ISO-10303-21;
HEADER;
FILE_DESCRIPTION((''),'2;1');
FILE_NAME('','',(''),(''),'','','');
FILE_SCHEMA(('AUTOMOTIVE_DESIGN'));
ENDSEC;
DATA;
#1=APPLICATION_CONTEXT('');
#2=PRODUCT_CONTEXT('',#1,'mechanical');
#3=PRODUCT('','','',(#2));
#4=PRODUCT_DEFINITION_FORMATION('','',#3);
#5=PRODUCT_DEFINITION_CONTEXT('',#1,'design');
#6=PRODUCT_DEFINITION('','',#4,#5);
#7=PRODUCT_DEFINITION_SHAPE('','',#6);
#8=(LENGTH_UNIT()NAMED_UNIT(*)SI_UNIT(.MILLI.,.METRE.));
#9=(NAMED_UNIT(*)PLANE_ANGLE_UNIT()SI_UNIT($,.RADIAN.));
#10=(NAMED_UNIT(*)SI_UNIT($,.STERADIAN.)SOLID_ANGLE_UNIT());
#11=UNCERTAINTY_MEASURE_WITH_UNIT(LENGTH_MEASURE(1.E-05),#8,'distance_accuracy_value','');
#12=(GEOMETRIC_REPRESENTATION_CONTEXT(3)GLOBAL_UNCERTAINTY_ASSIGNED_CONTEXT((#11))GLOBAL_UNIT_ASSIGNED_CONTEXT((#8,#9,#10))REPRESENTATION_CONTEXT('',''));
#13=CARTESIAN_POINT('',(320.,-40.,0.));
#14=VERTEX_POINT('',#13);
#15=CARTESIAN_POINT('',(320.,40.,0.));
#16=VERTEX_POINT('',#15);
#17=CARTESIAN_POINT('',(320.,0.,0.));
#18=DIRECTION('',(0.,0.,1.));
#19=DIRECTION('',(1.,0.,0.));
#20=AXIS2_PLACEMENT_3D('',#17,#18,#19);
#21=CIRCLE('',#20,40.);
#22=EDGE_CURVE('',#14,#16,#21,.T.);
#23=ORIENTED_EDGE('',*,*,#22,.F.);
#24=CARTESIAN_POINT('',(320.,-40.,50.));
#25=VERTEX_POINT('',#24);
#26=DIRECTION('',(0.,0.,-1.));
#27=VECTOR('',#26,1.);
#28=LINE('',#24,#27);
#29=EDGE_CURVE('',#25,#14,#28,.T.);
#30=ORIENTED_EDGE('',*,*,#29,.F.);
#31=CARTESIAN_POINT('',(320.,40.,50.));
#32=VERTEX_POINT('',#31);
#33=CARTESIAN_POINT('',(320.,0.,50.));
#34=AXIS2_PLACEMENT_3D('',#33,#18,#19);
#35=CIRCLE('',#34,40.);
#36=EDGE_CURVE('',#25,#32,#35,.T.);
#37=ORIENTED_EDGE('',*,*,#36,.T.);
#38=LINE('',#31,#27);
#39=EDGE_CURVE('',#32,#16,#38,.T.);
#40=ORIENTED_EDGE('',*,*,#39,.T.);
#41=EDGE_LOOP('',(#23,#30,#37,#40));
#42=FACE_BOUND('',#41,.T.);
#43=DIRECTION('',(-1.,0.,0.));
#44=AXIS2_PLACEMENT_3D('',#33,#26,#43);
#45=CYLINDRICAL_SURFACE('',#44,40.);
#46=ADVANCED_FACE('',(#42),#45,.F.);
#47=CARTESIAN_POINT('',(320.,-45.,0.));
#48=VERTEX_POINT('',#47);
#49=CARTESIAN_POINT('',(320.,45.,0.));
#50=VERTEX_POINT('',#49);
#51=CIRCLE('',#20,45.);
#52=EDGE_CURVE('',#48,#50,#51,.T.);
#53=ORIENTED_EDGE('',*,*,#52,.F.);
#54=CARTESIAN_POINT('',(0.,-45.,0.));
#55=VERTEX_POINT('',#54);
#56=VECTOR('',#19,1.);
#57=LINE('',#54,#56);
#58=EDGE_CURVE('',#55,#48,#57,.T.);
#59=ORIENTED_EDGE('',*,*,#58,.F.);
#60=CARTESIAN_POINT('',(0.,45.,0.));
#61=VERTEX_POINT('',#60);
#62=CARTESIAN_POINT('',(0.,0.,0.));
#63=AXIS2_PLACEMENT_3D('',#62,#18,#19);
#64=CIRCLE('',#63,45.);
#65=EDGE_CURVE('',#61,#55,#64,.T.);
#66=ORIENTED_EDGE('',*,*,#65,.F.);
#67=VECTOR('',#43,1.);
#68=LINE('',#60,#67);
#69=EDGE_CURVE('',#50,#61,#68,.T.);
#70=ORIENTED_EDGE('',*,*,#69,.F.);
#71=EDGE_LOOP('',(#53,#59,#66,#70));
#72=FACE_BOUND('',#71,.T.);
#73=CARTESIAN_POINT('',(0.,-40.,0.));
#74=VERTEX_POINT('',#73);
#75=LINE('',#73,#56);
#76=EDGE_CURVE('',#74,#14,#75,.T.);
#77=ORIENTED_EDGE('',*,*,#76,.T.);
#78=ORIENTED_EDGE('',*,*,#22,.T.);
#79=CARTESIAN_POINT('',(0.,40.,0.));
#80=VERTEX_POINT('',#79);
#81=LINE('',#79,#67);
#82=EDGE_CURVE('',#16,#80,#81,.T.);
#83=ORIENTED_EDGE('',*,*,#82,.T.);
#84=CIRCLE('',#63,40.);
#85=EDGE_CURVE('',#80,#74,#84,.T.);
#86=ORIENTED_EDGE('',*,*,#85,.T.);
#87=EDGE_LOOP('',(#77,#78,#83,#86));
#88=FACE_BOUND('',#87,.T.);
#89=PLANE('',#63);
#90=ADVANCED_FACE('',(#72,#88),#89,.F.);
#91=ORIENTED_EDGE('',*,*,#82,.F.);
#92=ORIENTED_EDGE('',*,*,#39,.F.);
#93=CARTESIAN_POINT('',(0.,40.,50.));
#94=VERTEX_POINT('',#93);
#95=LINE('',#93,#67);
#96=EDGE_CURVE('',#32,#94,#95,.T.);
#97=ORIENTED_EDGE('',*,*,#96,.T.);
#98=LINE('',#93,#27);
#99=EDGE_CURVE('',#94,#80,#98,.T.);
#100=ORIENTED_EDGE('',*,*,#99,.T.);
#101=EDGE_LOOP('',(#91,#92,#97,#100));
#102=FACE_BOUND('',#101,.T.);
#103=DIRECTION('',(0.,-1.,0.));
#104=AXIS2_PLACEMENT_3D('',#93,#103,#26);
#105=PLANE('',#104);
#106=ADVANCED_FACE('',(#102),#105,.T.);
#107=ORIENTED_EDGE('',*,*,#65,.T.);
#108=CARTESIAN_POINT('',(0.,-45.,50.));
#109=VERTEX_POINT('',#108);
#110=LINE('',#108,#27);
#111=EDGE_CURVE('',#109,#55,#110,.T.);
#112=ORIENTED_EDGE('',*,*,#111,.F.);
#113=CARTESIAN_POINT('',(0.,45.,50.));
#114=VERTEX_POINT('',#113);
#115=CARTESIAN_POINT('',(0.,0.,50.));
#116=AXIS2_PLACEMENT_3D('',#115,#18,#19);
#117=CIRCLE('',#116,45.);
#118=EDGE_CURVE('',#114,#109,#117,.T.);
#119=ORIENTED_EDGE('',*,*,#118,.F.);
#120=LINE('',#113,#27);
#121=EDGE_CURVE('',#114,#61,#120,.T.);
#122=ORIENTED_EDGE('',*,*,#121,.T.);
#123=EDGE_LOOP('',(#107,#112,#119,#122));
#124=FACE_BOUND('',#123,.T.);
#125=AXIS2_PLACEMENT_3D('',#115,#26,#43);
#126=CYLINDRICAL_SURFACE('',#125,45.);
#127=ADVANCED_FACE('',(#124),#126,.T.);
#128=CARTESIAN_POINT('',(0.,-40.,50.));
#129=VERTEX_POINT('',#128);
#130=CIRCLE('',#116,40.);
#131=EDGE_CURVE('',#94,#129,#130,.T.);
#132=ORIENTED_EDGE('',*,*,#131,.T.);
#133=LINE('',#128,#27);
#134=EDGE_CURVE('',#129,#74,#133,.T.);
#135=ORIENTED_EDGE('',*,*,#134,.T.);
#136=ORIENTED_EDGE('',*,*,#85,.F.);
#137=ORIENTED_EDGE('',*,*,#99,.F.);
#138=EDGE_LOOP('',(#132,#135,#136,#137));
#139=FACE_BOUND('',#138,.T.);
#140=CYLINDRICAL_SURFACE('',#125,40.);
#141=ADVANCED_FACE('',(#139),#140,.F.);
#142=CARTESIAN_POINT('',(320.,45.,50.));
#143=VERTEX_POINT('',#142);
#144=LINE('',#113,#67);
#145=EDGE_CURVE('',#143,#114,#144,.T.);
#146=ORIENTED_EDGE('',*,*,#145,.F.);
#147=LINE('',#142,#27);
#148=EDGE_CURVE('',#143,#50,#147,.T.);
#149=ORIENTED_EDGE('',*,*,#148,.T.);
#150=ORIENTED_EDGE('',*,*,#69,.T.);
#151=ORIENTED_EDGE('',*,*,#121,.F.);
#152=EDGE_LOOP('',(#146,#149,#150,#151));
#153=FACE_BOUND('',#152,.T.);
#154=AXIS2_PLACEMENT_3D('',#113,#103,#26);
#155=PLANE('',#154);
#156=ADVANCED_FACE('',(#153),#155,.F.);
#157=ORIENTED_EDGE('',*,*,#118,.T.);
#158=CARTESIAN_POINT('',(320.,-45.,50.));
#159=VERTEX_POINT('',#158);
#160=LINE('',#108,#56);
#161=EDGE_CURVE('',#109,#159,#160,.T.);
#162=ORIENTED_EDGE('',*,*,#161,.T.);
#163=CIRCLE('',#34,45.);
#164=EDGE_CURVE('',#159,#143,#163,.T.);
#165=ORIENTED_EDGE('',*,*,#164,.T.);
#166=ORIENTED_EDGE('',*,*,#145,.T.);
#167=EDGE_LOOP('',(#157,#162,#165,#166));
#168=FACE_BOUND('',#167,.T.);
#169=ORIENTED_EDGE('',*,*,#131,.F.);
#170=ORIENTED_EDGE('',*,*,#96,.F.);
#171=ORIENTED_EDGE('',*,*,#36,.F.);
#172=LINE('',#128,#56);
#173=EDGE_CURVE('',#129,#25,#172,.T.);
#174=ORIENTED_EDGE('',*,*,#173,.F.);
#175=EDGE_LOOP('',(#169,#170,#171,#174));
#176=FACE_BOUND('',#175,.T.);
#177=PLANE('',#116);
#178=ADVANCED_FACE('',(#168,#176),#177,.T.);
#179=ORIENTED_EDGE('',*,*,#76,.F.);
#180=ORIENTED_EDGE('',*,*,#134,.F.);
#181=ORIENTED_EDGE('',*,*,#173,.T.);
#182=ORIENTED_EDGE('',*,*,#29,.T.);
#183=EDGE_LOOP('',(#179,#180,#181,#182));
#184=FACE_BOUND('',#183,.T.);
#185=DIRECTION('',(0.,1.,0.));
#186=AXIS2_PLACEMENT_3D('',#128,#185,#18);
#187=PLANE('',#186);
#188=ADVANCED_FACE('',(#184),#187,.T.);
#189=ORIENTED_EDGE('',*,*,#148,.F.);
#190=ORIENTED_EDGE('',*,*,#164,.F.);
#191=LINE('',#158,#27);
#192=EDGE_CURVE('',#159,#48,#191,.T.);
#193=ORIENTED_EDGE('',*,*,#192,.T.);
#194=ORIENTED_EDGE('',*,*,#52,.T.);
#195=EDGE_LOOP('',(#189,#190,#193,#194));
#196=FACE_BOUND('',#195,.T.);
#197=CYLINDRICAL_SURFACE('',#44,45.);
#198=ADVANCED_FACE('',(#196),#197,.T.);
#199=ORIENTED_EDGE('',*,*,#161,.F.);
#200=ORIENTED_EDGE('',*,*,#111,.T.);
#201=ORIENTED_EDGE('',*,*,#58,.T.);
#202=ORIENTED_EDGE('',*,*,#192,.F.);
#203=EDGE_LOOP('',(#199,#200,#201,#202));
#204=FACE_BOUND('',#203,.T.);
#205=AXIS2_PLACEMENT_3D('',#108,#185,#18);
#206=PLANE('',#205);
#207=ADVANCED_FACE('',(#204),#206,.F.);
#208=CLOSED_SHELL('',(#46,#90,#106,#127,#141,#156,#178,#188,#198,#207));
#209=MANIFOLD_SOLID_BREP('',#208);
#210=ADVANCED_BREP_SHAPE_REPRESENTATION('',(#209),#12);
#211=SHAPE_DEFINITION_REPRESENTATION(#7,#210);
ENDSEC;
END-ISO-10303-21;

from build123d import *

# Parameters (mm, degrees)
BOSS_EXTRUDE1_DEPTH = 50


with BuildPart() as part:
    # Sketch1 → Boss-Extrude1 (new body)
    with BuildSketch(Plane.XY):
        with BuildLine():
            Line((0, 45), (320, 45))
            ThreePointArc((320, 45), (365, 0), (320, -45))
            Line((320, -45), (0, -45))
            ThreePointArc((0, -45), (-45, 0), (0, 45))
        make_face()
        with BuildLine():
            Line((0, 40), (320, 40))
            ThreePointArc((320, 40), (360, 0), (320, -40))
            Line((320, -40), (0, -40))
            ThreePointArc((0, -40), (-40, 0), (0, 40))
        make_face(mode=Mode.SUBTRACT)
    extrude(amount=BOSS_EXTRUDE1_DEPTH)


solid = part.part
